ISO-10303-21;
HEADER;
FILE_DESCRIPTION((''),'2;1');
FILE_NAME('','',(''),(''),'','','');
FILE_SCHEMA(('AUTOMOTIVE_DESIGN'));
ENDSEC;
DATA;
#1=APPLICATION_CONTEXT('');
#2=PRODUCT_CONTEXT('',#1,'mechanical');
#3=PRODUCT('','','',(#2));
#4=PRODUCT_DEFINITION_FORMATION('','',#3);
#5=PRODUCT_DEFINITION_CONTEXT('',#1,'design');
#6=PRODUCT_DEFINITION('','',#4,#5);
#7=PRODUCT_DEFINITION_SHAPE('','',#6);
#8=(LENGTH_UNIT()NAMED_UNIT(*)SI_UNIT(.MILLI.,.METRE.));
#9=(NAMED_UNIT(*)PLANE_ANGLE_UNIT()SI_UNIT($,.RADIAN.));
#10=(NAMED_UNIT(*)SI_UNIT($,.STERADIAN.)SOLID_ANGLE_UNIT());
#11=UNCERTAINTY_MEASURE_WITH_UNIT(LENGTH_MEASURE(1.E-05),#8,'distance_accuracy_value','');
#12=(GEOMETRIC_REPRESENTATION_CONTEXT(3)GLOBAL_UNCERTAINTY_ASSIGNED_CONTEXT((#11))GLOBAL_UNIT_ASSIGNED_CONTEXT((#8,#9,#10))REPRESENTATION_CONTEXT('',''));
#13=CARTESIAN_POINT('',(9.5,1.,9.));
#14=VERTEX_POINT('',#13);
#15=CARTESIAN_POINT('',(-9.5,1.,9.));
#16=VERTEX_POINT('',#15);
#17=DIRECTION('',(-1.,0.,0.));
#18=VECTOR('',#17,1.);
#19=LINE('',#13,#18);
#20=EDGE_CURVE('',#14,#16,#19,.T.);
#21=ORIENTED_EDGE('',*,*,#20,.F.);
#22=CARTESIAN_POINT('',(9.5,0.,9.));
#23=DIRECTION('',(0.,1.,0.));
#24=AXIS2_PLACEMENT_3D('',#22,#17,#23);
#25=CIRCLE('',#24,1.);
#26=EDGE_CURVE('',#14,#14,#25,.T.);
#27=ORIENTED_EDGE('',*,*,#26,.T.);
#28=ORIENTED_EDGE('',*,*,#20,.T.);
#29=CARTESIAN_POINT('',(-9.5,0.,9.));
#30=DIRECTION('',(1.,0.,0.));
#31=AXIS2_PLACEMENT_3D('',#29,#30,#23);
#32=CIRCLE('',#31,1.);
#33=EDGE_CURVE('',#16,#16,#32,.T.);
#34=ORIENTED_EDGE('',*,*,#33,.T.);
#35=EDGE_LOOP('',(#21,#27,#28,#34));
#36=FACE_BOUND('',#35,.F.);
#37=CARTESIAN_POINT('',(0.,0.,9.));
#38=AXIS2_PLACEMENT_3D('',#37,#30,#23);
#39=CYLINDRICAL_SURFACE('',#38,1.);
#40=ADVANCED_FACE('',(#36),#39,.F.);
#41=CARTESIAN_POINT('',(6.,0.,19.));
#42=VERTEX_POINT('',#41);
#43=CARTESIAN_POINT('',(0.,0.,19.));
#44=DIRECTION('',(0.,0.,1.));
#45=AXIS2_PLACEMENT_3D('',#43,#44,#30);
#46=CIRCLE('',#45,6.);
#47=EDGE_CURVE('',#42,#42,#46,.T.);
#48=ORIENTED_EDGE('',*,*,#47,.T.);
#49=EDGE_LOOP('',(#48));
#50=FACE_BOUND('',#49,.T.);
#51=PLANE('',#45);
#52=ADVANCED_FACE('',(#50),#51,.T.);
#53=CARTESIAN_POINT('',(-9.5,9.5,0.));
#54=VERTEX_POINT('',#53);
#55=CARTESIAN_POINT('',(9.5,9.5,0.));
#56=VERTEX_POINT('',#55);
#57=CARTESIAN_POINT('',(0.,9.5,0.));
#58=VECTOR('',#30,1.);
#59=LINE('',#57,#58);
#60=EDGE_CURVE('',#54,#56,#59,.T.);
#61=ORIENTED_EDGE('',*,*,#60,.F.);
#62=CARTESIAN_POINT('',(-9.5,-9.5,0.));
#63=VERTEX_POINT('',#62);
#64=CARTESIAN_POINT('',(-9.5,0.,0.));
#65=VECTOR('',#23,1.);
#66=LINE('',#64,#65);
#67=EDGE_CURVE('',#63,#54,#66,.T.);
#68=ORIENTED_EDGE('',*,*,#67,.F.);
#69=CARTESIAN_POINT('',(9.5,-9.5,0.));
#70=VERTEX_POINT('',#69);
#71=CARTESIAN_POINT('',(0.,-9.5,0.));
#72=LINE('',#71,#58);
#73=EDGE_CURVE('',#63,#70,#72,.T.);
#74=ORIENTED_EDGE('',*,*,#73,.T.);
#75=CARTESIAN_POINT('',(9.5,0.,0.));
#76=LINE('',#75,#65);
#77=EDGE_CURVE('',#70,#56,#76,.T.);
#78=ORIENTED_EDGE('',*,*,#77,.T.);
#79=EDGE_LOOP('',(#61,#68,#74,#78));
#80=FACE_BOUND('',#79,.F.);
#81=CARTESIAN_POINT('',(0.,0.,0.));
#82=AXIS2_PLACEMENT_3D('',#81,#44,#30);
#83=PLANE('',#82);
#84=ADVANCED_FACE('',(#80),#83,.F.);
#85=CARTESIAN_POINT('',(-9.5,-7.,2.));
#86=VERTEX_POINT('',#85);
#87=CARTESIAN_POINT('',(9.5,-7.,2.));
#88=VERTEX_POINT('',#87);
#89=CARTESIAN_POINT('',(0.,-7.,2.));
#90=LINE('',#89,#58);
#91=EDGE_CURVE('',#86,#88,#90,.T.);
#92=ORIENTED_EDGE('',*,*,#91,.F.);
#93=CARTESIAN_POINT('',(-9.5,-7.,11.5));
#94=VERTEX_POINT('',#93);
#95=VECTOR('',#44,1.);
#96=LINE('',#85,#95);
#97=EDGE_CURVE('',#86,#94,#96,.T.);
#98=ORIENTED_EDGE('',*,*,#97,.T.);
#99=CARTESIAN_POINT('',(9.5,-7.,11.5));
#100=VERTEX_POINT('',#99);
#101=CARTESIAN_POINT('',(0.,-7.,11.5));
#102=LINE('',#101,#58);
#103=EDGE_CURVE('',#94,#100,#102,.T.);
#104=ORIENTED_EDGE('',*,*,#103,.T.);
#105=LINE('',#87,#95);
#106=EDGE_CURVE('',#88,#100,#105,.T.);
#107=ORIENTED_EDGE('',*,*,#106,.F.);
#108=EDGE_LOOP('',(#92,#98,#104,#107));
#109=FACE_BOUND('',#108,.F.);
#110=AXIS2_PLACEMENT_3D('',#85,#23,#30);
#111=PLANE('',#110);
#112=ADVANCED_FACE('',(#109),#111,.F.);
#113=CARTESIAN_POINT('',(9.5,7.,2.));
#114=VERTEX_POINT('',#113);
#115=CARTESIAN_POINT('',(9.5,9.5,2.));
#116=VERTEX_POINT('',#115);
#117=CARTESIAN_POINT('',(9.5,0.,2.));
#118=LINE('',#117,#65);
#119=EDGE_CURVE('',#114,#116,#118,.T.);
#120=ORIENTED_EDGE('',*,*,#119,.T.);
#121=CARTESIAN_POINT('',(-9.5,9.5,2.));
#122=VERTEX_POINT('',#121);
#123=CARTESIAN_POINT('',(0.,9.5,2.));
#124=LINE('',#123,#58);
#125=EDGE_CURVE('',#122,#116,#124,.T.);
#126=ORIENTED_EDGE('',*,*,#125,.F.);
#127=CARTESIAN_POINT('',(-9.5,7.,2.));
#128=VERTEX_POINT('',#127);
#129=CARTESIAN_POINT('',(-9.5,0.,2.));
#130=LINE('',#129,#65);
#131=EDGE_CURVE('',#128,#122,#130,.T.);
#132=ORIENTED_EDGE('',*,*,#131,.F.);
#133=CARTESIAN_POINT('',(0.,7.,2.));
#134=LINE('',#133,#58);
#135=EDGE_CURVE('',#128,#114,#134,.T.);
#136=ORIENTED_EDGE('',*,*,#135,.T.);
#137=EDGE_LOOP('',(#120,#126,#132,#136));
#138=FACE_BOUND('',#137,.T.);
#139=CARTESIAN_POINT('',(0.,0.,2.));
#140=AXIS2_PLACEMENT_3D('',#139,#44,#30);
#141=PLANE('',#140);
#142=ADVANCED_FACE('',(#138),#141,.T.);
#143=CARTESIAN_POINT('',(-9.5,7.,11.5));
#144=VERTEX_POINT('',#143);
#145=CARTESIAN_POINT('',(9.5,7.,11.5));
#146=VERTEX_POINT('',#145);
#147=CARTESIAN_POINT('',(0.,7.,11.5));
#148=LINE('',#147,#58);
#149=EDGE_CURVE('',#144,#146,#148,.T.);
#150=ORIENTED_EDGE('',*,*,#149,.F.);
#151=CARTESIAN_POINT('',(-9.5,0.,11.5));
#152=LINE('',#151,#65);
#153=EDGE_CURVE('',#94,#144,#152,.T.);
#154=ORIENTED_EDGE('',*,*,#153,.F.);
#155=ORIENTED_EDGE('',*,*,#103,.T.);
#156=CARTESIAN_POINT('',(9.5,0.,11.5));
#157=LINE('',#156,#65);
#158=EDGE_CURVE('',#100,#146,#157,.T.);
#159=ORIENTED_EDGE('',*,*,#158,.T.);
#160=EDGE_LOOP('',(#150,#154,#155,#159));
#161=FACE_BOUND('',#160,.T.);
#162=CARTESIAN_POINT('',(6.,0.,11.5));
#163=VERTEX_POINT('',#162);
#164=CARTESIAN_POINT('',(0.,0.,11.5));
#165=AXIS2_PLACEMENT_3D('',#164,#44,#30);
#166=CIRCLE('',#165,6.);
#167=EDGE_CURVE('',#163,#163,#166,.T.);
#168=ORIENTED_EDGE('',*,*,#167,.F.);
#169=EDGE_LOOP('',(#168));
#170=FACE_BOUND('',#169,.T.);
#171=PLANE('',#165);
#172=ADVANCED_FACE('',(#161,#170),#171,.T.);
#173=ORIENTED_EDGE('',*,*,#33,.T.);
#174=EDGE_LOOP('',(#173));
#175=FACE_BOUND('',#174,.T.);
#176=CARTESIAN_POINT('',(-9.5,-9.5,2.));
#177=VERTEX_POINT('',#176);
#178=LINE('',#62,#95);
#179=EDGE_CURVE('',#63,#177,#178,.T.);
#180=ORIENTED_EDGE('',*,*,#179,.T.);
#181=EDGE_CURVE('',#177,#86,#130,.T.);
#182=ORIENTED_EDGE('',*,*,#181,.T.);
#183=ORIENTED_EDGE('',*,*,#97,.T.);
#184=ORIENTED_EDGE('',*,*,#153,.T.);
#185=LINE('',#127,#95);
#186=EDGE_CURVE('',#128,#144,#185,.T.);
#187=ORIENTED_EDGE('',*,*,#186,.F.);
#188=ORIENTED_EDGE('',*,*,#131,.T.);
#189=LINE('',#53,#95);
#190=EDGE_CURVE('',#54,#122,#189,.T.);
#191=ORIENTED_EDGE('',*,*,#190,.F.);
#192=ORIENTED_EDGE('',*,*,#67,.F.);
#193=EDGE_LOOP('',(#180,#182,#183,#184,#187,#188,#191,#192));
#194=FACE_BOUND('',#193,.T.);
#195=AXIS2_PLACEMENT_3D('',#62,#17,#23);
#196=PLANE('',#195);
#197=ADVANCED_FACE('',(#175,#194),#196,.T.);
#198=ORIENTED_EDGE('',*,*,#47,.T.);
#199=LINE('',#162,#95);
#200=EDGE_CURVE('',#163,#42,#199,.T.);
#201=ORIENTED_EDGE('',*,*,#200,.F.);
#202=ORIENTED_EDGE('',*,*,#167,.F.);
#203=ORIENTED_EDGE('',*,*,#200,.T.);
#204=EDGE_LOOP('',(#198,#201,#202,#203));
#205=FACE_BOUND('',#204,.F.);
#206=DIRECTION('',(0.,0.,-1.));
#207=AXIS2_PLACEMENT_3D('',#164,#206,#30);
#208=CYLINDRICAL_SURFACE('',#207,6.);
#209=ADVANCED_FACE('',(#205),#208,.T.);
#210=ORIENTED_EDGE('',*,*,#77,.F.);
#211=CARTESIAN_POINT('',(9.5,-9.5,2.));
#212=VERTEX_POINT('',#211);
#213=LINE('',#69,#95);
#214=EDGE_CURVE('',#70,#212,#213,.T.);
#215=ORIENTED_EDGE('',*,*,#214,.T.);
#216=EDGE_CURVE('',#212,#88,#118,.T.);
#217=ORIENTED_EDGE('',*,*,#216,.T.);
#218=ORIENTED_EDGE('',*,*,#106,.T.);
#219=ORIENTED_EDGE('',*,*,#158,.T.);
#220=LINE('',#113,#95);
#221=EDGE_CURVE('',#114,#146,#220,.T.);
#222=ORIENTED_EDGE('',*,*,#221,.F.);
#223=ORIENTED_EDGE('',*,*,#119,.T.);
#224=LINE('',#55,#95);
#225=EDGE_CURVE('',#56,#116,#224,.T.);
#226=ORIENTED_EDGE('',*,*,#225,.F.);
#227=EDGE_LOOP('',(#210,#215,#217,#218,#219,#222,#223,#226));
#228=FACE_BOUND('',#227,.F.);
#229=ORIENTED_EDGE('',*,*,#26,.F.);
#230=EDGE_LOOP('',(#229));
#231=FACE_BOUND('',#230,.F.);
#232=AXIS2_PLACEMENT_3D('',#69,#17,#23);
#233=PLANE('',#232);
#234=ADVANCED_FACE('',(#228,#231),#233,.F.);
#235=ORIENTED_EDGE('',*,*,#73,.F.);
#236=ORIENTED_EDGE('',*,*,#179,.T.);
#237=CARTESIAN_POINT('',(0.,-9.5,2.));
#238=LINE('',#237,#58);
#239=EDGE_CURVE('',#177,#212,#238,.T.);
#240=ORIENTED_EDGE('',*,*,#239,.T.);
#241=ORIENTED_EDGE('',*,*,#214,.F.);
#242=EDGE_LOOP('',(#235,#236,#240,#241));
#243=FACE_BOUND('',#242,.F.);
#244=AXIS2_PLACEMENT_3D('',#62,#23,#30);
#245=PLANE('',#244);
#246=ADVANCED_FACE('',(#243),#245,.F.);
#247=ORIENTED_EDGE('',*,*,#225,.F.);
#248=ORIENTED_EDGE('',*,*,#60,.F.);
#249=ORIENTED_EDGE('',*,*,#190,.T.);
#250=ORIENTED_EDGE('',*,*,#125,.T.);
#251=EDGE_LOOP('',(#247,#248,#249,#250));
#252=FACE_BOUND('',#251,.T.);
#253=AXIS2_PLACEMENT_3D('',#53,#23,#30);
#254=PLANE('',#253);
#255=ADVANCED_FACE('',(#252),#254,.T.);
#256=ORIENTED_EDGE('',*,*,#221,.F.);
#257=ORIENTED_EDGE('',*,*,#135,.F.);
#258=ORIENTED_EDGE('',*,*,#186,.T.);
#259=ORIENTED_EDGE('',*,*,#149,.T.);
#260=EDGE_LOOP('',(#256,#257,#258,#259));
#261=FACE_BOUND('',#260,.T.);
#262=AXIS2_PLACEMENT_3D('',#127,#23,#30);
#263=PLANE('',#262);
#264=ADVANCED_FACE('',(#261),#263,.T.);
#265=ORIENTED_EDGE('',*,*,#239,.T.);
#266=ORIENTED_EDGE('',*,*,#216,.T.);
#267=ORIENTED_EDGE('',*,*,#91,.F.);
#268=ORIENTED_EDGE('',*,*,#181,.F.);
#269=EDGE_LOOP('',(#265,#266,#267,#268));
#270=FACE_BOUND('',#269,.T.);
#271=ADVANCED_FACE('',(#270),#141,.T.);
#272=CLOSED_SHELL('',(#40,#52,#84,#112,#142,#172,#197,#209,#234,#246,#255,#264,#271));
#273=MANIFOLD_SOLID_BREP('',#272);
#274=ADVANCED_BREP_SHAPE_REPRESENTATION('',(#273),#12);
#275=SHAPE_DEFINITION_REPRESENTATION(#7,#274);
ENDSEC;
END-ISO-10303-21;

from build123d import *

# Parameters (mm, degrees)
F0_W          = 19
F0_H          = 19
F3_DEPTH      = 2
F4_START      = 2
F2_W          = 19
F2_H          = 14
F4_DEPTH      = 9.5
F5_START      = 11.5
F1_R          = 6
F5_DEPTH      = 7.5
F6_R          = 1
F7_DEPTH      = 25
F7_DEPTH_BACK = 25


with BuildPart() as f3:
    # F0 (on Top) → F3 (new body)
    with BuildSketch(Plane.XY):
        Rectangle(F0_W, F0_H)
    extrude(amount=F3_DEPTH)

    # F2 (on Top) → F4 (join)
    with BuildSketch(Plane.XY.offset(F4_START)):
        Rectangle(F2_W, F2_H)
    extrude(amount=F4_DEPTH)

    # F1 (on Top) → F5 (join)
    with BuildSketch(Plane.XY.offset(F5_START)):
        Circle(F1_R)
    extrude(amount=F5_DEPTH)

    # F6 (on Right) → F7 (cut, two sides)
    with BuildSketch(Plane.YZ) as f7_sk:
        with Locations((0, 9)):
            Circle(F6_R)
    extrude(amount=-F7_DEPTH, mode=Mode.SUBTRACT)
    extrude(f7_sk.sketch, amount=F7_DEPTH_BACK, mode=Mode.SUBTRACT)


solid = f3.part
